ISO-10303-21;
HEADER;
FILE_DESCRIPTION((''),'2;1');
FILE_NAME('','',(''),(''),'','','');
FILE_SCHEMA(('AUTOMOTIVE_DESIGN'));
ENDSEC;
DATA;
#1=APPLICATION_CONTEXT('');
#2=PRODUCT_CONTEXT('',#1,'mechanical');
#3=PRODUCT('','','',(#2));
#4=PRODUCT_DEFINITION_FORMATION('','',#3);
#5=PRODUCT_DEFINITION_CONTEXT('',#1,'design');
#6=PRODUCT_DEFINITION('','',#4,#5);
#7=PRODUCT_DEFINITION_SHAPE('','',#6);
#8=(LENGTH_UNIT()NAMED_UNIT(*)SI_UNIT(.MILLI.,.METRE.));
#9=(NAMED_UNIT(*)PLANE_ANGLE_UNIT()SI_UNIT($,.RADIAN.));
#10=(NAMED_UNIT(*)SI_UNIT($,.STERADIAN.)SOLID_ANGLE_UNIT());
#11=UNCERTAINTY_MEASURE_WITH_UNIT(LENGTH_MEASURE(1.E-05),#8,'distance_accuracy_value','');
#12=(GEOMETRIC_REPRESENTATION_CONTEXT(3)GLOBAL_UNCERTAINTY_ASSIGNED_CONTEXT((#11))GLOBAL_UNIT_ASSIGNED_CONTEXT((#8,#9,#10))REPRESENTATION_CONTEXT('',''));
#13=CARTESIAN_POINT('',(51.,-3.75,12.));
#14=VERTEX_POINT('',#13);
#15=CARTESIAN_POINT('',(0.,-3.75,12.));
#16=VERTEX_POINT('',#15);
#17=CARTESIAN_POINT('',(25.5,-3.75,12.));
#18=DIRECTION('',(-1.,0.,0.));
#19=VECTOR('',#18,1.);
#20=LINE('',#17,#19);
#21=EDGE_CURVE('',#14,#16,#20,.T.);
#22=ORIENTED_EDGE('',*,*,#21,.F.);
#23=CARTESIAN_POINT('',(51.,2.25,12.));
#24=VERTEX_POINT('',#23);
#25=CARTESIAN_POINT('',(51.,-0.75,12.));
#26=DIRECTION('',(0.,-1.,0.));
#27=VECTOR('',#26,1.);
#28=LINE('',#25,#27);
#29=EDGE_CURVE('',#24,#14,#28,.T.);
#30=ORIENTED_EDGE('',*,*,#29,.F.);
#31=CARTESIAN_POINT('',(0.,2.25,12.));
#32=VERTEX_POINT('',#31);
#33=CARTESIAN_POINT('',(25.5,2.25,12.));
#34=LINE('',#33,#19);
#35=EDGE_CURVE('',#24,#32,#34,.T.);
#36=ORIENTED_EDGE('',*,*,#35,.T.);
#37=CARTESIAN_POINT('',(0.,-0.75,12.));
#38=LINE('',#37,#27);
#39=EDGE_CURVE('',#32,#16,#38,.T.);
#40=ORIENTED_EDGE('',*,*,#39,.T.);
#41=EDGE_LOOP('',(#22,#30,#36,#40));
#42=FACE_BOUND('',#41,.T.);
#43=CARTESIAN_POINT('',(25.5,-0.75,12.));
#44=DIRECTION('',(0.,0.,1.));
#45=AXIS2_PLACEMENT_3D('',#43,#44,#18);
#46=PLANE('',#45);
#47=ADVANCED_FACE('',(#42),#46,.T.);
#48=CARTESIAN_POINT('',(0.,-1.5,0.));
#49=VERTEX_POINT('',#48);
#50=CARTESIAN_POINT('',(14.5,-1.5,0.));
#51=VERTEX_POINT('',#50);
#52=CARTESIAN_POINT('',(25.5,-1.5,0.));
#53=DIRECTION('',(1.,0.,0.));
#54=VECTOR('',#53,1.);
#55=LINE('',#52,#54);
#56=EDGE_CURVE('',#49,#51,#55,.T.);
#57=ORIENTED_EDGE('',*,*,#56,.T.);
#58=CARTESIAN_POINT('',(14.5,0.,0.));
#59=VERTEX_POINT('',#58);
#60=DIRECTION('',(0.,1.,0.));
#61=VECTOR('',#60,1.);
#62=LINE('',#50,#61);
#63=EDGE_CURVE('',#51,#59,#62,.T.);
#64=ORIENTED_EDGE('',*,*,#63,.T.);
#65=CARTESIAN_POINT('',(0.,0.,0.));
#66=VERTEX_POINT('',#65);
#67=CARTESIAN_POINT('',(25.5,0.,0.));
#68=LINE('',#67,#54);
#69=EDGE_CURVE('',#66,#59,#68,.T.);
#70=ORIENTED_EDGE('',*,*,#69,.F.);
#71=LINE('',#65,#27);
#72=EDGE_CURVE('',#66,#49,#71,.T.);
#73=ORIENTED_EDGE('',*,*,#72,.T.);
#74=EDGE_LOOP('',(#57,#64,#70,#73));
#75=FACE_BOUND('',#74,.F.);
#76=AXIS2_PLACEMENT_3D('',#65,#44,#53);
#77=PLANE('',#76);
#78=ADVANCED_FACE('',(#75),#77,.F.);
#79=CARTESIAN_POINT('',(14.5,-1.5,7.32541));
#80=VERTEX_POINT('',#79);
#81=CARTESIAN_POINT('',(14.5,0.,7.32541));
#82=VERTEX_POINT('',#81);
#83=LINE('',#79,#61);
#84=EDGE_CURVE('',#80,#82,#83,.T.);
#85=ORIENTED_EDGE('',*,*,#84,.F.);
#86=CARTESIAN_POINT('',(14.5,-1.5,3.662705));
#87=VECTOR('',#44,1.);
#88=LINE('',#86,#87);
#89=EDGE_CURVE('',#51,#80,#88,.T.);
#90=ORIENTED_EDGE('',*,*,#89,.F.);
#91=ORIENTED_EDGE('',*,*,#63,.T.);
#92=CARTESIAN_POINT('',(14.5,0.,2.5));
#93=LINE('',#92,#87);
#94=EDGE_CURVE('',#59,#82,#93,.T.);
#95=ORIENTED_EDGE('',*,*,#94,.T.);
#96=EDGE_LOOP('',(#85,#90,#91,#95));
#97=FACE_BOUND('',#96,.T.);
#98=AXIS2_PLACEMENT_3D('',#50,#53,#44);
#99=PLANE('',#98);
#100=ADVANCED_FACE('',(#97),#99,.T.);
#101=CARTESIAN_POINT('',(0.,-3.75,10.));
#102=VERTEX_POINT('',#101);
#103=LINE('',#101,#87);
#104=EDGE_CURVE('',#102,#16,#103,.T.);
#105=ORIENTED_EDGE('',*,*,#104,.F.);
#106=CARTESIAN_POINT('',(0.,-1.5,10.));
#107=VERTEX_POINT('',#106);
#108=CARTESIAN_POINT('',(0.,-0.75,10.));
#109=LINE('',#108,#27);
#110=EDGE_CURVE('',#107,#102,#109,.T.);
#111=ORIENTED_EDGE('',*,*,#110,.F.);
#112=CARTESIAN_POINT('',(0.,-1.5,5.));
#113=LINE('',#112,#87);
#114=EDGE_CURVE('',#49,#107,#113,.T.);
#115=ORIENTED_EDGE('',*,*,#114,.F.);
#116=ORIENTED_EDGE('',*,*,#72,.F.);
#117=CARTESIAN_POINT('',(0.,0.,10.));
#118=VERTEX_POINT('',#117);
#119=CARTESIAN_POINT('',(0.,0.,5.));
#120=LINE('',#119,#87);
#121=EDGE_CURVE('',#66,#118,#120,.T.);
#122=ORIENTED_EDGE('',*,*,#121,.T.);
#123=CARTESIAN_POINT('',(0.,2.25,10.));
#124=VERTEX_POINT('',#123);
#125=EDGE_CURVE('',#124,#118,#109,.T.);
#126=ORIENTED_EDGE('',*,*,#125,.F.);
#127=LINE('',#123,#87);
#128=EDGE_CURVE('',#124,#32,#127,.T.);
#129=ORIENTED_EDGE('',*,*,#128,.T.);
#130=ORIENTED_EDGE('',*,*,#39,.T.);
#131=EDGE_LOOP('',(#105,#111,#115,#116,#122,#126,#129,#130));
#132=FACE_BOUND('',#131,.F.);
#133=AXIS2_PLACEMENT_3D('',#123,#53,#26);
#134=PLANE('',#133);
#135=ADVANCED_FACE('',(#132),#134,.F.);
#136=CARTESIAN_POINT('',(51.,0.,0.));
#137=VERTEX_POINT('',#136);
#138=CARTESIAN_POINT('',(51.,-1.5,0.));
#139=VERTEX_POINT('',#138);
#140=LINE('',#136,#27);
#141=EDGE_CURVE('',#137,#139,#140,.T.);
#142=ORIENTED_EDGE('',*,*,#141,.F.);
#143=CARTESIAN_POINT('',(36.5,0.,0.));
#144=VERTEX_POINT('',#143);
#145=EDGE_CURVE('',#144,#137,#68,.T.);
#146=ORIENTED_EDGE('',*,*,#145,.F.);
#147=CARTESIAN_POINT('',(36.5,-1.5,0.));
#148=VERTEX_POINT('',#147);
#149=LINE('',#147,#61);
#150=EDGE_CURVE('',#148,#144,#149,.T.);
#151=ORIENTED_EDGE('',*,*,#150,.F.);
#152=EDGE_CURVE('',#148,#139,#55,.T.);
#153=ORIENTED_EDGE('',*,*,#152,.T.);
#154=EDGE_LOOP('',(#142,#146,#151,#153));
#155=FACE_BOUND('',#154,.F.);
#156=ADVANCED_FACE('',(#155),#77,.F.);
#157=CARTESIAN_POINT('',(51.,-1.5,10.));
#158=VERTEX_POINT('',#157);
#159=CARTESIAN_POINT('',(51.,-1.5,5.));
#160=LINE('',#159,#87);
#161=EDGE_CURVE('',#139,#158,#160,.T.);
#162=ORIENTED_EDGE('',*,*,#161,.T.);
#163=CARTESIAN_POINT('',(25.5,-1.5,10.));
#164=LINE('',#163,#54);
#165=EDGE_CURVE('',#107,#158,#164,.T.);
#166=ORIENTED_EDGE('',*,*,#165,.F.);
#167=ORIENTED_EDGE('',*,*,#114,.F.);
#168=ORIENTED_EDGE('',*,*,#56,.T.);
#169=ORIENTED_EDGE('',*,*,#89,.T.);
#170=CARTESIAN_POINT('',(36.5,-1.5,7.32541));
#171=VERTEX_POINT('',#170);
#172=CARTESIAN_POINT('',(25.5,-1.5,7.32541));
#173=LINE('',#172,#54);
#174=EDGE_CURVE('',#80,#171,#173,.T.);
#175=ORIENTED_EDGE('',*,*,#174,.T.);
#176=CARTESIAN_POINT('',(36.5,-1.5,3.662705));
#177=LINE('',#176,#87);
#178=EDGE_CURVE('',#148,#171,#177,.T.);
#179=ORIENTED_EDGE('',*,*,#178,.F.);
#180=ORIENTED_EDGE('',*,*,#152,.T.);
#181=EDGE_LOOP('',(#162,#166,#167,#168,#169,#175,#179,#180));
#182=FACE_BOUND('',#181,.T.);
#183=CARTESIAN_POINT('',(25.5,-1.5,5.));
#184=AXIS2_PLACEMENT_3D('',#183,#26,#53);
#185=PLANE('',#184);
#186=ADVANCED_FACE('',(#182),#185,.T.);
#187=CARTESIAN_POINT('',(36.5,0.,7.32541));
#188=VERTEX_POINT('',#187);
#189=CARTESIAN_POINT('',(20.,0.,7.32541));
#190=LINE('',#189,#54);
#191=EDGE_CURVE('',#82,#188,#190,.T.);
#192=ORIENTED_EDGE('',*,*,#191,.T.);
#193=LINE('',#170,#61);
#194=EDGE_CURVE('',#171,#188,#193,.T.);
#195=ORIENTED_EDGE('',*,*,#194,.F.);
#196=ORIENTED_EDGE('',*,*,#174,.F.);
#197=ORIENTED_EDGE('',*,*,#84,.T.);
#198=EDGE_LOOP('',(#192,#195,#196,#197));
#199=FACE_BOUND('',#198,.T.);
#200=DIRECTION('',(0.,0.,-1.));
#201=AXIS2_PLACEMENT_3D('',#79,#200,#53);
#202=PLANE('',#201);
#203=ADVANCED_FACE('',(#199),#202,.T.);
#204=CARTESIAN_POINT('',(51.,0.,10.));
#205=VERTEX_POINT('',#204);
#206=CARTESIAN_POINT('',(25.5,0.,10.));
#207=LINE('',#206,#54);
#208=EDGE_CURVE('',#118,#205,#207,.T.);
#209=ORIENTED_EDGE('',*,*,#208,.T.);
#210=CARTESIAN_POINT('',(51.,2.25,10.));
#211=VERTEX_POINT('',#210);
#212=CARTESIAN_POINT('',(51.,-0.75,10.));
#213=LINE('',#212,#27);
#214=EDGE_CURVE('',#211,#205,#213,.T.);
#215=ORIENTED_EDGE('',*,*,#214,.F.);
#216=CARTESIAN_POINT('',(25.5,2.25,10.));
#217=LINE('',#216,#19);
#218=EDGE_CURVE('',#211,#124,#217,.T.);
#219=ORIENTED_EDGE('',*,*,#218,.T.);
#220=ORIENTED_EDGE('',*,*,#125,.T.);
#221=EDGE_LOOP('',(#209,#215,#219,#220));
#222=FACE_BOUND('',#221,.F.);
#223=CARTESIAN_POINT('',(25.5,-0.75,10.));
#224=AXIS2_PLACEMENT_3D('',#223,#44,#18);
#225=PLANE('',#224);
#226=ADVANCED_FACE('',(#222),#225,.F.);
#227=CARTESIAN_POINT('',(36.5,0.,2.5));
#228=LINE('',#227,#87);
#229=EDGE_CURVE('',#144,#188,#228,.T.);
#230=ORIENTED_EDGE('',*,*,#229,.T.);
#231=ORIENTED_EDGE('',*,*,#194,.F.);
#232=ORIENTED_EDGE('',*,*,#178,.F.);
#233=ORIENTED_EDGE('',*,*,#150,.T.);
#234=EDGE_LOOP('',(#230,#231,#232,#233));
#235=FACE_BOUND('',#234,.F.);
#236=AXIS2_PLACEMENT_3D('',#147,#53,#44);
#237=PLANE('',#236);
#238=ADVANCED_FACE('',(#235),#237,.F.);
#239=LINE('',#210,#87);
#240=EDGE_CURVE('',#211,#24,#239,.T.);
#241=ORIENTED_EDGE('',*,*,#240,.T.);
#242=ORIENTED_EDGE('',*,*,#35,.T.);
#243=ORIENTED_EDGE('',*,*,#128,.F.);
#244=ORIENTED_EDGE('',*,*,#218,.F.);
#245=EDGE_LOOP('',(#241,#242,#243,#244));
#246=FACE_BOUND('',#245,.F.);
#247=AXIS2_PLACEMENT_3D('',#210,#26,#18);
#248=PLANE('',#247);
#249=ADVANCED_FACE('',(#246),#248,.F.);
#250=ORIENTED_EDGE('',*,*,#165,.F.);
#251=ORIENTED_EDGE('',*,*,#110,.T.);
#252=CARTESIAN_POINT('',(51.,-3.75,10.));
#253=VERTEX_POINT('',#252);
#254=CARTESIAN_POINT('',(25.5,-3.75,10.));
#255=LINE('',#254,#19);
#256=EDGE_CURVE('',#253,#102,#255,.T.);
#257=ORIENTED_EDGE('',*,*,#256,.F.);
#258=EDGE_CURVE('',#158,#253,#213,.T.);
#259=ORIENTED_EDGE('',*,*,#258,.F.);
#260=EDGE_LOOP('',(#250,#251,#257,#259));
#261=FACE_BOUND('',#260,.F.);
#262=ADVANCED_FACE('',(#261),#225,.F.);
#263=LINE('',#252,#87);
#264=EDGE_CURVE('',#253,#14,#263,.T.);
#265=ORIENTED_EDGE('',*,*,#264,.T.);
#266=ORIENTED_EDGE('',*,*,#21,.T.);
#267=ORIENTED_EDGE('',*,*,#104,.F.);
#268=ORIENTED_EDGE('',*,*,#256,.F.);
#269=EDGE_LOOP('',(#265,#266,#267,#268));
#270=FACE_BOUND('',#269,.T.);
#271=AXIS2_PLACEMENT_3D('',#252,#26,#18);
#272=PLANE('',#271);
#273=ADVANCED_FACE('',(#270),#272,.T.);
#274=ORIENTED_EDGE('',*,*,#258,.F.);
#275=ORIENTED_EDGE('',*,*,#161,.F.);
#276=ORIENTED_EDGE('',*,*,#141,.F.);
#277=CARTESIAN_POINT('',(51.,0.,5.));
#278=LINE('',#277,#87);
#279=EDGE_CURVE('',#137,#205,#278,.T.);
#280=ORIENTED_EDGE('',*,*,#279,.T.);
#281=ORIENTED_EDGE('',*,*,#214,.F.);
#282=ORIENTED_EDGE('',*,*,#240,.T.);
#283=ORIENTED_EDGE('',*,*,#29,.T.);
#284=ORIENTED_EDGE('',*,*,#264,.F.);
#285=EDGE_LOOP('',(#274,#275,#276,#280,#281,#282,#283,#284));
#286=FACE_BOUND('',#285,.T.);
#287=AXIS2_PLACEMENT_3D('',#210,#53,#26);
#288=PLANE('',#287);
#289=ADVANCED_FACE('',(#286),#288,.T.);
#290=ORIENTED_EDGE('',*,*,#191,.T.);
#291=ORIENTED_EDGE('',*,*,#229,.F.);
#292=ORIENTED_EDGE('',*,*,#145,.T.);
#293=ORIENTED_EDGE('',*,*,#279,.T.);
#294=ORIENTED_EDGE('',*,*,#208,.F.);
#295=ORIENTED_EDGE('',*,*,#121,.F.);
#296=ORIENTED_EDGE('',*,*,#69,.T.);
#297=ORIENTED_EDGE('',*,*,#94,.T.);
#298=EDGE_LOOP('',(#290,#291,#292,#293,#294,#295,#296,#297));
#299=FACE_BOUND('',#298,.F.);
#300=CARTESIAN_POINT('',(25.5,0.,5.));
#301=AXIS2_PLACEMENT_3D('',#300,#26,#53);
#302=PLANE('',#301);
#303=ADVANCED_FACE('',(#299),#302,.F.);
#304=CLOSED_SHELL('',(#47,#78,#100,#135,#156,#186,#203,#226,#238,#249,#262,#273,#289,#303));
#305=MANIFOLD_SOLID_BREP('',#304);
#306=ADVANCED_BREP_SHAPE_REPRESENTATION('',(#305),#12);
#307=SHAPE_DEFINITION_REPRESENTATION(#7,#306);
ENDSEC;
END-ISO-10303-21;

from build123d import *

# Parameters (mm, degrees)
SKETCH_W     = 51
SKETCH_H     = 10
PAD_DEPTH    = 1.5
SKETCH001_W  = 22
SKETCH001_H  = 7.32541
POCKET_DEPTH = 5
SKETCH002_W  = 51
SKETCH002_H  = 6
PAD001_DEPTH = 2


with BuildPart() as part:
    # Sketch → Pad (new body)
    with BuildSketch(Plane.XZ):
        with Locations((25.5, 5)):
            Rectangle(SKETCH_W, SKETCH_H)
    extrude(amount=PAD_DEPTH)

    # Sketch001 (on Face6 of Pad) → Pocket (cut)
    with BuildSketch(Plane.XZ.offset(1.5)):
        with Locations((25.5, 3.662705)):
            Rectangle(SKETCH001_W, SKETCH001_H)
    extrude(amount=-POCKET_DEPTH, mode=Mode.SUBTRACT)

    # Sketch002 (on Face6 of Pocket) → Pad001 (join)
    with BuildSketch(Plane(origin=(0, 0, 10), x_dir=(-1, 0, 0), z_dir=(0, 0, 1))):
        with Locations((-25.5, 0.75)):
            Rectangle(SKETCH002_W, SKETCH002_H)
    extrude(amount=PAD001_DEPTH)


solid = part.part
